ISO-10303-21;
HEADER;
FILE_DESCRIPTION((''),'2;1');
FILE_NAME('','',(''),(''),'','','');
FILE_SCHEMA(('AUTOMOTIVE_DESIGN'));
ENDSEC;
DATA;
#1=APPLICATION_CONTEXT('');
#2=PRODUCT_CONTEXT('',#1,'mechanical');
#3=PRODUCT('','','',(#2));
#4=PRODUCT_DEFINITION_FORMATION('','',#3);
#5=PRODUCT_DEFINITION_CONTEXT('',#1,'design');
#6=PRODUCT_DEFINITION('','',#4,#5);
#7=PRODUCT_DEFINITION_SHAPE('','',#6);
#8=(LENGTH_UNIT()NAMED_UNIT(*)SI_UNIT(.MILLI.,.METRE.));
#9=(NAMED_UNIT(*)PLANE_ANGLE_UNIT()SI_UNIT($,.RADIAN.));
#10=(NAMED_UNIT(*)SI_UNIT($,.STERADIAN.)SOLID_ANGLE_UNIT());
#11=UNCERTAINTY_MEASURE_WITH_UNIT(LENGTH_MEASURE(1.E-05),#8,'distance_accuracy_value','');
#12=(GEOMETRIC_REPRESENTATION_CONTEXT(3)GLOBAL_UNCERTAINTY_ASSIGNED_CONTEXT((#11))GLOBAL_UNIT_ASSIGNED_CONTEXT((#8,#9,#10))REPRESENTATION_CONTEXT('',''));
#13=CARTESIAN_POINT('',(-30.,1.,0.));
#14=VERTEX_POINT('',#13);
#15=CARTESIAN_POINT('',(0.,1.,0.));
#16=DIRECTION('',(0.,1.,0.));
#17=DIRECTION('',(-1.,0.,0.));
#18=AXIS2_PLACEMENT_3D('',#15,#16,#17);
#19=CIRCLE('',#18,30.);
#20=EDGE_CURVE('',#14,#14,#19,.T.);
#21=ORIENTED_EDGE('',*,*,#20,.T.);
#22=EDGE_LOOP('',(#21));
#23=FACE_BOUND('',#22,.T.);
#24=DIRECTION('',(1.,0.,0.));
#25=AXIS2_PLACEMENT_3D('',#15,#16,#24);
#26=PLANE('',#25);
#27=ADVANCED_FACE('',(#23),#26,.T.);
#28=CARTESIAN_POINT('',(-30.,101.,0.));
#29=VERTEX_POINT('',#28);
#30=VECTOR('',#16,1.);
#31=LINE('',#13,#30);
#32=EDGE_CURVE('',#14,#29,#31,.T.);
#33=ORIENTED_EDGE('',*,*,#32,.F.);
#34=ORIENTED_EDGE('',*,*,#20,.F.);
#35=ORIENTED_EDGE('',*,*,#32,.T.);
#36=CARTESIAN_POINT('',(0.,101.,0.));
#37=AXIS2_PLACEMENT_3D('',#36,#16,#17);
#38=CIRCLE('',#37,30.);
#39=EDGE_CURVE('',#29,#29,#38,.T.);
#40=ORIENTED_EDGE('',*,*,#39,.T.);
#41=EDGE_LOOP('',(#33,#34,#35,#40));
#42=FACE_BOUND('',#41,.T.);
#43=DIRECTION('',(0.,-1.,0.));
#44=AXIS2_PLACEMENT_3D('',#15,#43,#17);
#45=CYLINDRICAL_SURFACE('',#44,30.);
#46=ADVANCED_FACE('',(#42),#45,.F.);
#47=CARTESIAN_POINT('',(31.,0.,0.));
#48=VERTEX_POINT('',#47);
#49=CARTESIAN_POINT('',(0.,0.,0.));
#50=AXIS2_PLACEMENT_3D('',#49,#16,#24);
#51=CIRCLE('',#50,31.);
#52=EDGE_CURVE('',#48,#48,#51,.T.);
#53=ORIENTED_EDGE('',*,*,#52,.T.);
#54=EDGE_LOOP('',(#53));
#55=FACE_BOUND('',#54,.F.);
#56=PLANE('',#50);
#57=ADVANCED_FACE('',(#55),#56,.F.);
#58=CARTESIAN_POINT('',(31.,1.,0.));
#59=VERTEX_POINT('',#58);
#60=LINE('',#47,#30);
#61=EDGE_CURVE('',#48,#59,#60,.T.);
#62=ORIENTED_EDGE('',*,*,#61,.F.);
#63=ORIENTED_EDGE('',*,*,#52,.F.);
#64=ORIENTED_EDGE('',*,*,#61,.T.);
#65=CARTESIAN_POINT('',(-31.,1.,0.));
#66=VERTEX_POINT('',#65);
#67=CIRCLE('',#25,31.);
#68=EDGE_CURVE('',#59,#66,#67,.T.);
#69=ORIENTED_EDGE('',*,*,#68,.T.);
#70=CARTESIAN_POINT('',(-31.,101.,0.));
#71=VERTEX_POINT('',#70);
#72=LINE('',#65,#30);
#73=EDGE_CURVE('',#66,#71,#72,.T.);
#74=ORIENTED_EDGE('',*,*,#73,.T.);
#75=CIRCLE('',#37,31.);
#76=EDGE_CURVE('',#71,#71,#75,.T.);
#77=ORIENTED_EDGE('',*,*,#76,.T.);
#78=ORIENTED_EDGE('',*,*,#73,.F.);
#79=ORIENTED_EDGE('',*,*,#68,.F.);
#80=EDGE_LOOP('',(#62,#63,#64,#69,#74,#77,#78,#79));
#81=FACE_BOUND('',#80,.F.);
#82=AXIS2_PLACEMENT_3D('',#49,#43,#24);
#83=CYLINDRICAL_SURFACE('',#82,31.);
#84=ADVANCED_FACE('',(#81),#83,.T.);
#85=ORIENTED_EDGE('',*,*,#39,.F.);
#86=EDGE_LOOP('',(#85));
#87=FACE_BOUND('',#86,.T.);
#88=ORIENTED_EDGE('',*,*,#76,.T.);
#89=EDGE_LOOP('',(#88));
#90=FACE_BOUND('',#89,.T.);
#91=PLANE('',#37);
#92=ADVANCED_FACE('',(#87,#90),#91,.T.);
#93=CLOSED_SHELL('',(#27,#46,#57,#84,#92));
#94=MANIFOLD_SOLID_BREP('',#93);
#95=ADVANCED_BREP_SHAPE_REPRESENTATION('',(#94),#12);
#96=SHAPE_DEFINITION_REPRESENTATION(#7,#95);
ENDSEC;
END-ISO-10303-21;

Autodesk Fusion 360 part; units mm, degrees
sketch "Sketch1" plane through (0, 0, 0) normal (0, 1, 0) x (1, 0, 0)
  circle A0 centre (0, 0) radius 31
  dimension "d1" = 62
extrude "Extrude1" add sketch "Sketch1" along normal blind 1
sketch "Sketch2" plane through (0, 1, 0) normal (0, 1, 0) x (-1, 0, 0)
  circle A0 centre (0, 0) radius 31
  circle A1 centre (0, 0) radius 30
  dimension "d4" = 60
extrude "Extrude2" add sketch "Sketch2" along normal blind 100
